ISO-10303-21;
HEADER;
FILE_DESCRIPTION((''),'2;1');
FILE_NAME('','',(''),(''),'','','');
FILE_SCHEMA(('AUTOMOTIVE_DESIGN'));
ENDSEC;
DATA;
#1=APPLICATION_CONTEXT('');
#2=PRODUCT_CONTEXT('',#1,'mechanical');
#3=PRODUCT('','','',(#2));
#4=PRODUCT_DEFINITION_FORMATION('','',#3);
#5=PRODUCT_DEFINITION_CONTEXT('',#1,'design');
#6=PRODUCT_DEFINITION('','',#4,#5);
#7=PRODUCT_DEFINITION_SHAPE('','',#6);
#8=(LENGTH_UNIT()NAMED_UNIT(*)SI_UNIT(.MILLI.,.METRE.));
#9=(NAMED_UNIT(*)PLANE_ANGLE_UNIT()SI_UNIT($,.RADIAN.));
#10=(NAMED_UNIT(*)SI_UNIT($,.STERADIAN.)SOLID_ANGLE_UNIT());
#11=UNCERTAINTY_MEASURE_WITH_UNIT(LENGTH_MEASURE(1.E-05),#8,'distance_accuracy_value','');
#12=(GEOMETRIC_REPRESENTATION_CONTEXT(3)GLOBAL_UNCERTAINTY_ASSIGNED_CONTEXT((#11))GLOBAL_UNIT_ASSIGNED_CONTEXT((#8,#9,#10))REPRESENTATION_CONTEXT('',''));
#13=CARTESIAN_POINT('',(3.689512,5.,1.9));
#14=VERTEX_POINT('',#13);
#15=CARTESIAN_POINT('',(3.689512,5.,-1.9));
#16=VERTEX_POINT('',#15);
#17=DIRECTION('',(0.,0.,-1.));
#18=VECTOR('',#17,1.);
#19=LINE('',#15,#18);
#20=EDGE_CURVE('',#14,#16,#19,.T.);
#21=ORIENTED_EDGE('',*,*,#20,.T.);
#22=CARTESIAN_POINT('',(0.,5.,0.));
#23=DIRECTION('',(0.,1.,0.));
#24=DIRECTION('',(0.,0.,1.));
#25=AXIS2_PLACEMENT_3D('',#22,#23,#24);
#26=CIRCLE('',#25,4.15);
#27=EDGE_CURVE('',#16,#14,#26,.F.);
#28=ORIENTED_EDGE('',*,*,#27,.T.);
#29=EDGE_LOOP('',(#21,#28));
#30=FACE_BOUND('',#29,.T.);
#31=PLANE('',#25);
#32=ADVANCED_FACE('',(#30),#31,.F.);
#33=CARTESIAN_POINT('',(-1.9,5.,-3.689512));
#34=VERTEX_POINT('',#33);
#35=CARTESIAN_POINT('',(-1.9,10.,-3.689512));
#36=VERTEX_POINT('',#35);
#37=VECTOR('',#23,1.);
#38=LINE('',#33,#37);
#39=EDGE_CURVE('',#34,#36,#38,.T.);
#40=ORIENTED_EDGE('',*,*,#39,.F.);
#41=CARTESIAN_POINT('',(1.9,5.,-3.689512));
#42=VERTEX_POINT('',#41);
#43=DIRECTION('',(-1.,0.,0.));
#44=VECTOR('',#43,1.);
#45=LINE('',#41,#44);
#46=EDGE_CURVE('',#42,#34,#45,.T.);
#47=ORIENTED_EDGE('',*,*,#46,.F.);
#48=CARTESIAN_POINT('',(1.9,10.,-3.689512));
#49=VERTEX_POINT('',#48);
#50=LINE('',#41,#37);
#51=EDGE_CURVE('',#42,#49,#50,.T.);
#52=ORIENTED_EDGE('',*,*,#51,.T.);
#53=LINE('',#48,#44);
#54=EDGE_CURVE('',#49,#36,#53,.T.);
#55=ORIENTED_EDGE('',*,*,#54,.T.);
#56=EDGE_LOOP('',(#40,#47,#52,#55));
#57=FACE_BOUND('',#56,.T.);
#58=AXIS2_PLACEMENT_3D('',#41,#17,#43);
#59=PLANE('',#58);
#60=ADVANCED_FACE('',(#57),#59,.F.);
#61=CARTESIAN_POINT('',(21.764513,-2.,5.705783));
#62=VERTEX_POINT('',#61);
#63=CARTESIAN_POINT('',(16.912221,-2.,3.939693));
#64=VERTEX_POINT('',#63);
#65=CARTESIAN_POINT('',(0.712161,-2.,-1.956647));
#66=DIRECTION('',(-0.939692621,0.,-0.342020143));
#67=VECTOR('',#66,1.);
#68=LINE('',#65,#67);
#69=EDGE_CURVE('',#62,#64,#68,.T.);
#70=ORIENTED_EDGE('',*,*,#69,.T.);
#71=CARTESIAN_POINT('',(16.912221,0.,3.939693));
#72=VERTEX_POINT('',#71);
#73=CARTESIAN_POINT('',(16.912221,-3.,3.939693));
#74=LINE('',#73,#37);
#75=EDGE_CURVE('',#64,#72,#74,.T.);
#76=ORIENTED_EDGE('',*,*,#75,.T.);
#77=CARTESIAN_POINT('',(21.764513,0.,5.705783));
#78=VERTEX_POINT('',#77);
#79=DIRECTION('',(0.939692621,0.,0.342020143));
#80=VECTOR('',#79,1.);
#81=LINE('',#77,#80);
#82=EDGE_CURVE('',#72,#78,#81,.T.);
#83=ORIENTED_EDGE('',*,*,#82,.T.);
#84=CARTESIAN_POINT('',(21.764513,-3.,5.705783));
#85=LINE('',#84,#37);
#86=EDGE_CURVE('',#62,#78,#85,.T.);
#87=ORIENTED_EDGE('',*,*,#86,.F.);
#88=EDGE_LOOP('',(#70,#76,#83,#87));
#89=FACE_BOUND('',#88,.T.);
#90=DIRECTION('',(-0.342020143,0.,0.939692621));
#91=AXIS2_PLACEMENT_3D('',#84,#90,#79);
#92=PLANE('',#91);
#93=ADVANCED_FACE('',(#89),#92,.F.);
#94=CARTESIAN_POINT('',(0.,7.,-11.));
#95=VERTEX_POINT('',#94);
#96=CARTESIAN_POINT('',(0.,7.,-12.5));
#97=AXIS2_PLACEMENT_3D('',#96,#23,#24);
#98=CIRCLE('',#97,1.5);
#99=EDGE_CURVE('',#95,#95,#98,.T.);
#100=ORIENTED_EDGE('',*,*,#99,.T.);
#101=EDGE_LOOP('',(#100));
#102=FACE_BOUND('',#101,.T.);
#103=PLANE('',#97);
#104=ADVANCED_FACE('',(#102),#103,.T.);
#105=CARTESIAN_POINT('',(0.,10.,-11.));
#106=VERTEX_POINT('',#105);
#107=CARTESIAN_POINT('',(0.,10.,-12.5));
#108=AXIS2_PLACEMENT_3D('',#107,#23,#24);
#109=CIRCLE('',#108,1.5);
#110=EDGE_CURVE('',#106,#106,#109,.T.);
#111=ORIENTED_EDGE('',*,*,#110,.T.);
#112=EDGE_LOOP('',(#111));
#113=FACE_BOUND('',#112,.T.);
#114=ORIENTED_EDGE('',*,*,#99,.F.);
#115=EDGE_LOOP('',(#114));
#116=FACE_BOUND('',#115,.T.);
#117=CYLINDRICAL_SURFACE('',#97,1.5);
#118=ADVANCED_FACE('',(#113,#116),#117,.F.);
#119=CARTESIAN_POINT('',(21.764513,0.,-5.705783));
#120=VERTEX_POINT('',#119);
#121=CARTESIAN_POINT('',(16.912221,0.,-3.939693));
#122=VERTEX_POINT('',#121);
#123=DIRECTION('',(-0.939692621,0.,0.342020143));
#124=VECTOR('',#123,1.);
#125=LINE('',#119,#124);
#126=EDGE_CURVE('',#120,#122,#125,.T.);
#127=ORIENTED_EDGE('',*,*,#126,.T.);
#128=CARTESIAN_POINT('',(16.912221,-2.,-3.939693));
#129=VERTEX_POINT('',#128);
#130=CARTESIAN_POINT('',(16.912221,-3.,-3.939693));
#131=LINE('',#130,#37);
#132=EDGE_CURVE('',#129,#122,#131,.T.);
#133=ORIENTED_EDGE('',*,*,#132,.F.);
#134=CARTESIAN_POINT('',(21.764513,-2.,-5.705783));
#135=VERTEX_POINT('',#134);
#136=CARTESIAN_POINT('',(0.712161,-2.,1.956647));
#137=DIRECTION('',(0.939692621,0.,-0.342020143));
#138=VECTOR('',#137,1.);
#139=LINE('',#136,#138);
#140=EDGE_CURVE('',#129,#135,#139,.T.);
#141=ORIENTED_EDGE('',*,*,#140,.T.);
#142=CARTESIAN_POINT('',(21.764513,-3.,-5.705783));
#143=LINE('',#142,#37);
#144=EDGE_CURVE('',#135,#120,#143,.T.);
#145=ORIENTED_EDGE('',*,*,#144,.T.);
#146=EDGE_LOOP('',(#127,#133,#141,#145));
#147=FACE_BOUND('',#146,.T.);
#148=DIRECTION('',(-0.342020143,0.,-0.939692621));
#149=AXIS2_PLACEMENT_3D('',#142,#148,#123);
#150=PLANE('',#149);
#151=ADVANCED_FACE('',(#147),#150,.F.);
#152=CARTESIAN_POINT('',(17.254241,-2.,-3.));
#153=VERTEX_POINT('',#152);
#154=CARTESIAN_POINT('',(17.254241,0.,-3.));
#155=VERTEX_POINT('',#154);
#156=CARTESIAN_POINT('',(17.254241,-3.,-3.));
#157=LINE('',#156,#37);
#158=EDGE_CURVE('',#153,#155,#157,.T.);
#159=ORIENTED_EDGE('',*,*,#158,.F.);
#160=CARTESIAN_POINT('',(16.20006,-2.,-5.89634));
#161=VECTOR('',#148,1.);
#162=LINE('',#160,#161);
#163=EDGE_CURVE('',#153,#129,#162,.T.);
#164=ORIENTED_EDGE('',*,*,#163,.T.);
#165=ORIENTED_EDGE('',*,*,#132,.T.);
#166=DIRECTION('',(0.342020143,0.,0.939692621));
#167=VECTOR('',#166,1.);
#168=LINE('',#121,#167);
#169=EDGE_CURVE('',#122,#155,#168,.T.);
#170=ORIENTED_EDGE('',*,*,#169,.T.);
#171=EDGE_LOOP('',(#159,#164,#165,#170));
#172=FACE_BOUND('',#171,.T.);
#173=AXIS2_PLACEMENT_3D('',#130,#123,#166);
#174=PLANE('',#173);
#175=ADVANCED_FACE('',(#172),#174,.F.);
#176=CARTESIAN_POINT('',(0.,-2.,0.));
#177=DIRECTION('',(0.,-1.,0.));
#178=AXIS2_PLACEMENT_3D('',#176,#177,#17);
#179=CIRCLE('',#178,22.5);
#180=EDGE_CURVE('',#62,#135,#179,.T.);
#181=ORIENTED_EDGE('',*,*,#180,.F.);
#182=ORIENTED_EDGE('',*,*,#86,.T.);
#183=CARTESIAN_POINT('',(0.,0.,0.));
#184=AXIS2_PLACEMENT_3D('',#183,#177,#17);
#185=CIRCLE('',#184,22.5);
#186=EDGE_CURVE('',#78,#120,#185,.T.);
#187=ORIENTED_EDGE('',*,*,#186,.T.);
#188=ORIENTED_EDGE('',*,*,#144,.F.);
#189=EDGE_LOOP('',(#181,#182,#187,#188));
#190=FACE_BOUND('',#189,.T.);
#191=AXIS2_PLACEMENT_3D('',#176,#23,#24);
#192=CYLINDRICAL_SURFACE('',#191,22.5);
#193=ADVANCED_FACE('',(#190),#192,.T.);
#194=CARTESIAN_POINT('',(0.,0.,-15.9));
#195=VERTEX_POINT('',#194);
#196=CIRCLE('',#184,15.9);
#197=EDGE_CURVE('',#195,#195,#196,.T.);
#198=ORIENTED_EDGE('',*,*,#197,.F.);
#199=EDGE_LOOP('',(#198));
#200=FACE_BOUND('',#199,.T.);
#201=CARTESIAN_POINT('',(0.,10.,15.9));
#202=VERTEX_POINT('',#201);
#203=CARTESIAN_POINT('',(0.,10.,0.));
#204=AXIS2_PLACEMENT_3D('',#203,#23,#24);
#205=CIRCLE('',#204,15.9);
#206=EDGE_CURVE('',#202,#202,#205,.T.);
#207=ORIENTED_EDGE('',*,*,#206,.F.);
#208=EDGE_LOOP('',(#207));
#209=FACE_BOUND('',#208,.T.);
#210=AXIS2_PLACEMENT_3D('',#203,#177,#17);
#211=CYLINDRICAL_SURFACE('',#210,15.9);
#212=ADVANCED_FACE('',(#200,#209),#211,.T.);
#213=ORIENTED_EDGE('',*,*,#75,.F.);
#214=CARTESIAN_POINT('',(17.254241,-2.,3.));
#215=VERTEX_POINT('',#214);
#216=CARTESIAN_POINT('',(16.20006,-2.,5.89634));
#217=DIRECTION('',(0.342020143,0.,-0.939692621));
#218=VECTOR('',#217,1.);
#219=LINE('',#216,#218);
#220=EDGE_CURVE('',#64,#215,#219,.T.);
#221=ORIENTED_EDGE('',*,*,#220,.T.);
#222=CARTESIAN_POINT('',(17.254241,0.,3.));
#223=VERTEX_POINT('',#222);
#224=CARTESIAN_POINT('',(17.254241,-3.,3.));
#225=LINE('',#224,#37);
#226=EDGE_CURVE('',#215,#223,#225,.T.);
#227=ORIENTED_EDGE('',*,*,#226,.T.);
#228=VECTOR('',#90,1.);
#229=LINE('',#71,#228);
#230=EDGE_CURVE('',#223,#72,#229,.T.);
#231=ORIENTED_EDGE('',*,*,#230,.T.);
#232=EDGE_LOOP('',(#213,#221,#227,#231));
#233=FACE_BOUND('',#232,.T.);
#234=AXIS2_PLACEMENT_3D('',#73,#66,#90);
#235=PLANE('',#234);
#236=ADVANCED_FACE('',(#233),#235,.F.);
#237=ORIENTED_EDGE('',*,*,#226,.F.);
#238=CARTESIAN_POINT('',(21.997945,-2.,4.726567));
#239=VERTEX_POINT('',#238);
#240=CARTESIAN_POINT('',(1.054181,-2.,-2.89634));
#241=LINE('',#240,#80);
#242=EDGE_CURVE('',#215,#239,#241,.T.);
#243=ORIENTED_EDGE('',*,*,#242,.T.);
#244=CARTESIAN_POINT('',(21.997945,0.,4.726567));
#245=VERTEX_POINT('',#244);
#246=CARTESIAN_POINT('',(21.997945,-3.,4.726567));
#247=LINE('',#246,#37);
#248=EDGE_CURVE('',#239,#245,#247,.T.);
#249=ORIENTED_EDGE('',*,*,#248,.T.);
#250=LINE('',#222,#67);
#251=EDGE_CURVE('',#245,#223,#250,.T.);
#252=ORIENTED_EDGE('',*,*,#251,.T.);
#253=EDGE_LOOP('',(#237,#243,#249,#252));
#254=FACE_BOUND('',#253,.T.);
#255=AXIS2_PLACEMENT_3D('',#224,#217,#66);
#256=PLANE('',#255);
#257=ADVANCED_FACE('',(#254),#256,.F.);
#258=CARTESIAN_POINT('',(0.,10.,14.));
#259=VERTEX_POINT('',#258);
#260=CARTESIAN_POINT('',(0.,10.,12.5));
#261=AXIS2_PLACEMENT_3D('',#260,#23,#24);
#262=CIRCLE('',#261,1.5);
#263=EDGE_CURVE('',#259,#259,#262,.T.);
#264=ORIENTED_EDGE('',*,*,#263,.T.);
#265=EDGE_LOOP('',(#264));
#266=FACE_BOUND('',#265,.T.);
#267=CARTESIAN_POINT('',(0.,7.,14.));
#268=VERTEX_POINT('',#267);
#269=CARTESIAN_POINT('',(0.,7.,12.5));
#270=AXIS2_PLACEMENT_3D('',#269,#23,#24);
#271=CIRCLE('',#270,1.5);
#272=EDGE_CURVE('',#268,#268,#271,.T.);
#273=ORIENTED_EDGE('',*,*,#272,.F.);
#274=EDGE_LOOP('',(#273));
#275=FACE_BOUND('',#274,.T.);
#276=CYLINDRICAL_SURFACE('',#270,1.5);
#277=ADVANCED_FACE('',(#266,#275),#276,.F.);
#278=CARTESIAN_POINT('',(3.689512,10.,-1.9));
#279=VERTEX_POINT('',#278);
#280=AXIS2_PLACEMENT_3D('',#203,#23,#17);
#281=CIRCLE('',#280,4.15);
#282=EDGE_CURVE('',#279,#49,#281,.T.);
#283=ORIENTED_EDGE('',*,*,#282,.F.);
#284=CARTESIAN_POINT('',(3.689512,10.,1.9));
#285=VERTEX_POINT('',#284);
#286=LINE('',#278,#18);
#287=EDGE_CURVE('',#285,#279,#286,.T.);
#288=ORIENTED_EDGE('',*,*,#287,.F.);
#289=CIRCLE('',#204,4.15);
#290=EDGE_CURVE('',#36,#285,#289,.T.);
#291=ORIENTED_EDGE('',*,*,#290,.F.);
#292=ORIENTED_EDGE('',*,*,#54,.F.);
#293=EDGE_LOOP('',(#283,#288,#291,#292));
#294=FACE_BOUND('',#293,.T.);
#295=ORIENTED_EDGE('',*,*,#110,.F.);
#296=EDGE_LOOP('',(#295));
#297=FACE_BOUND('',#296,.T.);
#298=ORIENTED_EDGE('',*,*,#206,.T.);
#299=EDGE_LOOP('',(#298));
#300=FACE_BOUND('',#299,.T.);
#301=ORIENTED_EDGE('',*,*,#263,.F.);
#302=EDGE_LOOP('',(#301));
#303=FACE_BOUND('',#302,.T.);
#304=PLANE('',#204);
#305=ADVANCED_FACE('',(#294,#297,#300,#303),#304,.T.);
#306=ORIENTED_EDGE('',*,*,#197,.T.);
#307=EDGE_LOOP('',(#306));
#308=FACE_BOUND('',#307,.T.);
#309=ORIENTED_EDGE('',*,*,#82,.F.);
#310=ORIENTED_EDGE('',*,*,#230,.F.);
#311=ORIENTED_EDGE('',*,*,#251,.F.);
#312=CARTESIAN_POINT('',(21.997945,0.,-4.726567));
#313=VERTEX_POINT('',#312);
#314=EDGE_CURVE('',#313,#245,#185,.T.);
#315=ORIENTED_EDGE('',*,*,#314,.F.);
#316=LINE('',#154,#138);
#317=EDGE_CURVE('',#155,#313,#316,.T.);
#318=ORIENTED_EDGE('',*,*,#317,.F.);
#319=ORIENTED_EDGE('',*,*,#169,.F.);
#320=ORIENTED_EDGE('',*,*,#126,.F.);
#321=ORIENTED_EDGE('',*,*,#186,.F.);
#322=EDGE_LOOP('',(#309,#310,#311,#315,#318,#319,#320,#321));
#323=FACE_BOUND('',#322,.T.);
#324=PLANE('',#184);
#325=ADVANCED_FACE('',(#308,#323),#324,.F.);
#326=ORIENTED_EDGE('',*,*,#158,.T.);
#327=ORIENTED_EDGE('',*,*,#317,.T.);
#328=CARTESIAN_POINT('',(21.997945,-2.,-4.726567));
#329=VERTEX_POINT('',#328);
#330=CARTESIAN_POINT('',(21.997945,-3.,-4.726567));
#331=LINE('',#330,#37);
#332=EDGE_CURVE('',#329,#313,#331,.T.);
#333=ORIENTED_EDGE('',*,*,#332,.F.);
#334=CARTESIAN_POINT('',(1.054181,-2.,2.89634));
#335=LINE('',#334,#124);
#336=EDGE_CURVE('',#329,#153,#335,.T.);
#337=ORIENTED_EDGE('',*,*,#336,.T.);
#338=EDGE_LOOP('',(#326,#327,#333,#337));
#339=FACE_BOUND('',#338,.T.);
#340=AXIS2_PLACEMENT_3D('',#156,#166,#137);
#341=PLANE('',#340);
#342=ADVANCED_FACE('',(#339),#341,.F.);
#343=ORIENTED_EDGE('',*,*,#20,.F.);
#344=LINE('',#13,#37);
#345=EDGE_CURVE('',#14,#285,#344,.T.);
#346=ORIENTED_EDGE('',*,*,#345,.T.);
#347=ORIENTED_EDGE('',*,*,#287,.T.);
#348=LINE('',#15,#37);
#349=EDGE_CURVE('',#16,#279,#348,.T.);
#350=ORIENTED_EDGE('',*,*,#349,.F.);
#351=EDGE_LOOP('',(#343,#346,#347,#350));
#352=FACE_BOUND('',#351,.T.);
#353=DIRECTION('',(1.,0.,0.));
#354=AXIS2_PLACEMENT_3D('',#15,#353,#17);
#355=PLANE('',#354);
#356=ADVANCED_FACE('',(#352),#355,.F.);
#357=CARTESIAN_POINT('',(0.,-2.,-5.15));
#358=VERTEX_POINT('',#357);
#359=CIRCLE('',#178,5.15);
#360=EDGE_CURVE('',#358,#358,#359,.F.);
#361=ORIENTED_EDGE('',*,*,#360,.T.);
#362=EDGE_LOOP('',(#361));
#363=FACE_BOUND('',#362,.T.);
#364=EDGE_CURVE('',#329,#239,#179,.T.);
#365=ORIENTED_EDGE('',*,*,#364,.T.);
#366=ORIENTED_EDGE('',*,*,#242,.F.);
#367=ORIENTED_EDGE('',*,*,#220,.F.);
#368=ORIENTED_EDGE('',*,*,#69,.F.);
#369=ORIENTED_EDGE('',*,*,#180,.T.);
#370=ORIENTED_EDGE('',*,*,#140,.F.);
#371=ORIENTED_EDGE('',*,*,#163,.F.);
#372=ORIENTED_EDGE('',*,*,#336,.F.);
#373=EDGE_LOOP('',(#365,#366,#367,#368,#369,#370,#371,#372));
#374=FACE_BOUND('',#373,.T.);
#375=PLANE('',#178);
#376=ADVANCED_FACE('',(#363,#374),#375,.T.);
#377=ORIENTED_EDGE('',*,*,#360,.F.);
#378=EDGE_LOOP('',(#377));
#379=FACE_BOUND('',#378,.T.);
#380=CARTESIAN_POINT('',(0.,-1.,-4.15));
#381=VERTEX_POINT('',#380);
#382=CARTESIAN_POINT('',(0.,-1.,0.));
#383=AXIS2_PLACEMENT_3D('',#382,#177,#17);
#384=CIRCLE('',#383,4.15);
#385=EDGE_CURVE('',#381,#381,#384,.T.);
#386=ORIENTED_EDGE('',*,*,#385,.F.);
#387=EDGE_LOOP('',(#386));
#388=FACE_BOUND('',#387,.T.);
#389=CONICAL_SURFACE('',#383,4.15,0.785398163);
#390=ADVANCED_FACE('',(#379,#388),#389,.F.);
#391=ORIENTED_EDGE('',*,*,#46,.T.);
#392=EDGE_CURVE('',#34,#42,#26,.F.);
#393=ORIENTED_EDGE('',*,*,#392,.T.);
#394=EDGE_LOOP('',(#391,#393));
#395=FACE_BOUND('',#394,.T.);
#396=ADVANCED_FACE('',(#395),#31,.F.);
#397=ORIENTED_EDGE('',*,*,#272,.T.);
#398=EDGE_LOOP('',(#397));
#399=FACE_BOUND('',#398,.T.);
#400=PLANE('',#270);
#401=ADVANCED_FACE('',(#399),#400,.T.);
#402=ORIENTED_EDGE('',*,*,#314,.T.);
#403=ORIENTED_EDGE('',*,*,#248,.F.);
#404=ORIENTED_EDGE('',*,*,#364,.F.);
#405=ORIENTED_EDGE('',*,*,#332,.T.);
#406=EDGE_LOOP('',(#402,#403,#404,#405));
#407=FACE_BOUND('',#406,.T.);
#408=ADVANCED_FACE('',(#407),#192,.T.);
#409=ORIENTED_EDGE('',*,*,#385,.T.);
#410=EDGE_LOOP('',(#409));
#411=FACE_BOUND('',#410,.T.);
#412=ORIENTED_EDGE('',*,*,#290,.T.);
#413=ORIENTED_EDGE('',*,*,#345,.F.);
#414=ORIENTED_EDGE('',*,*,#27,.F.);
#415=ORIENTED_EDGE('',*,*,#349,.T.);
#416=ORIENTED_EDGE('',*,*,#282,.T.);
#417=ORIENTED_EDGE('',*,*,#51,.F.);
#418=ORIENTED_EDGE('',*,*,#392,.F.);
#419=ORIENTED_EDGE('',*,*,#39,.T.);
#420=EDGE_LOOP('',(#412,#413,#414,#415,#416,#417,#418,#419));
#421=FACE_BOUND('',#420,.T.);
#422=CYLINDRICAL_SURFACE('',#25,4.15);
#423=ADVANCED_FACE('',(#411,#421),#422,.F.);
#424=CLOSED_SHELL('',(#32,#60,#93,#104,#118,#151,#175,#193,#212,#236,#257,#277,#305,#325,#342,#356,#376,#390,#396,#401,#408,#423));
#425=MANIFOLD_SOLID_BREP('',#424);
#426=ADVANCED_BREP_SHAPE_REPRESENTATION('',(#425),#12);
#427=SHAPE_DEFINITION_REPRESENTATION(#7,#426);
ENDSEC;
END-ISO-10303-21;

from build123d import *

# Parameters (mm, degrees)
SKETCH_1_R          = 15.9
EXTRUDE_1_DEPTH     = 10
SKETCH_2_R          = 22.5
EXTRUDE_2_DEPTH     = 2
SKETCH_3_R          = 1.5
CUT_EXTRUDE_3_DEPTH = 3
CUT_EXTRUDE_4_DEPTH = 3
CUT_EXTRUDE_5_DEPTH = 5
CUT_EXTRUDE_START   = -7
SKETCH_6_R          = 4.15
CUT_EXTRUDE_6_DEPTH = 7
CHAMFER_1_SIZE      = 1


with BuildPart() as part:
    # Эскиз1 → Вытянуть1 (new body)
    with BuildSketch(Plane(origin=(0, 0, 0), x_dir=(1, 0, 0), z_dir=(0, 1, 0))):
        with Locations(Location((0, 0, 0), (0, 0, 270))):
            Circle(SKETCH_1_R)
    extrude(amount=EXTRUDE_1_DEPTH)

    # Эскиз2 → Вытянуть2 (add)
    with BuildSketch(Plane.XZ):
        with Locations(Location((0, 0, 0), (0, 0, 270))):
            Circle(SKETCH_2_R)
    extrude(amount=EXTRUDE_2_DEPTH)

    # Эскиз3 → Вытянуть3 (cut)
    with BuildSketch(Plane(origin=(0, 10, 0), x_dir=(1, 0, 0), z_dir=(0, 1, 0))):
        with Locations(Location((0, 12.5, 0), (0, 0, 270))):
            Circle(SKETCH_3_R)
        with Locations(Location((0, -12.5, 0), (0, 0, 270))):
            Circle(SKETCH_3_R)
    extrude(amount=-CUT_EXTRUDE_3_DEPTH, mode=Mode.SUBTRACT)

    # Эскиз4 → Вытянуть4 (cut)
    with BuildSketch(Plane(origin=(0, 0, 0), x_dir=(1, 0, 0), z_dir=(0, 1, 0))):
        with BuildLine():
            Line((21.764513428, 5.705782614), (16.912221051, 3.939692621))
            Line((16.912221051, 3.939692621), (17.254241194, 3))
            Line((17.254241194, 3), (21.997944585, 4.726566834))
            ThreePointArc((21.997944585, 4.726566834), (21.886705981, 5.217480357), (21.764513428, 5.705782614))
        make_face()
        with BuildLine():
            Line((17.254241194, -3), (21.997944585, -4.726566834))
            ThreePointArc((21.997944585, -4.726566834), (21.886705981, -5.217480357), (21.764513428, -5.705782614))
            Line((21.764513428, -5.705782614), (16.912221051, -3.939692621))
            Line((16.912221051, -3.939692621), (17.254241194, -3))
        make_face()
    extrude(amount=-CUT_EXTRUDE_4_DEPTH, mode=Mode.SUBTRACT)

    # Эскиз5 → Вытянуть5 (cut)
    with BuildSketch(Plane(origin=(0, 10, 0), x_dir=(1, 0, 0), z_dir=(0, 1, 0))):
        with BuildLine():
            Line((3.689512163, 1.9), (3.689512163, -1.9))
            ThreePointArc((3.689512163, -1.9), (-2.934493142, -2.934493142), (-1.9, 3.689512163))
            Line((-1.9, 3.689512163), (1.9, 3.689512163))
            ThreePointArc((1.9, 3.689512163), (2.934493142, 2.934493142), (3.689512163, 1.9))
        make_face()
    extrude(amount=-CUT_EXTRUDE_5_DEPTH, mode=Mode.SUBTRACT)

    # Эскиз6 → Вытянуть6 (cut)
    with BuildSketch(Plane.XZ.offset(2).offset(CUT_EXTRUDE_START)):
        with Locations(Location((0, 0, 0), (0, 0, 27.247255186))):
            Circle(SKETCH_6_R)
    extrude(amount=CUT_EXTRUDE_6_DEPTH, mode=Mode.SUBTRACT)

    # Фаска1
    chamfer_1_edges = [part.edges().sort_by_distance(p)[0] for p in [
        (-3.689512163, -2, -1.9),
    ]]
    chamfer(chamfer_1_edges, length=CHAMFER_1_SIZE)


solid = part.part
